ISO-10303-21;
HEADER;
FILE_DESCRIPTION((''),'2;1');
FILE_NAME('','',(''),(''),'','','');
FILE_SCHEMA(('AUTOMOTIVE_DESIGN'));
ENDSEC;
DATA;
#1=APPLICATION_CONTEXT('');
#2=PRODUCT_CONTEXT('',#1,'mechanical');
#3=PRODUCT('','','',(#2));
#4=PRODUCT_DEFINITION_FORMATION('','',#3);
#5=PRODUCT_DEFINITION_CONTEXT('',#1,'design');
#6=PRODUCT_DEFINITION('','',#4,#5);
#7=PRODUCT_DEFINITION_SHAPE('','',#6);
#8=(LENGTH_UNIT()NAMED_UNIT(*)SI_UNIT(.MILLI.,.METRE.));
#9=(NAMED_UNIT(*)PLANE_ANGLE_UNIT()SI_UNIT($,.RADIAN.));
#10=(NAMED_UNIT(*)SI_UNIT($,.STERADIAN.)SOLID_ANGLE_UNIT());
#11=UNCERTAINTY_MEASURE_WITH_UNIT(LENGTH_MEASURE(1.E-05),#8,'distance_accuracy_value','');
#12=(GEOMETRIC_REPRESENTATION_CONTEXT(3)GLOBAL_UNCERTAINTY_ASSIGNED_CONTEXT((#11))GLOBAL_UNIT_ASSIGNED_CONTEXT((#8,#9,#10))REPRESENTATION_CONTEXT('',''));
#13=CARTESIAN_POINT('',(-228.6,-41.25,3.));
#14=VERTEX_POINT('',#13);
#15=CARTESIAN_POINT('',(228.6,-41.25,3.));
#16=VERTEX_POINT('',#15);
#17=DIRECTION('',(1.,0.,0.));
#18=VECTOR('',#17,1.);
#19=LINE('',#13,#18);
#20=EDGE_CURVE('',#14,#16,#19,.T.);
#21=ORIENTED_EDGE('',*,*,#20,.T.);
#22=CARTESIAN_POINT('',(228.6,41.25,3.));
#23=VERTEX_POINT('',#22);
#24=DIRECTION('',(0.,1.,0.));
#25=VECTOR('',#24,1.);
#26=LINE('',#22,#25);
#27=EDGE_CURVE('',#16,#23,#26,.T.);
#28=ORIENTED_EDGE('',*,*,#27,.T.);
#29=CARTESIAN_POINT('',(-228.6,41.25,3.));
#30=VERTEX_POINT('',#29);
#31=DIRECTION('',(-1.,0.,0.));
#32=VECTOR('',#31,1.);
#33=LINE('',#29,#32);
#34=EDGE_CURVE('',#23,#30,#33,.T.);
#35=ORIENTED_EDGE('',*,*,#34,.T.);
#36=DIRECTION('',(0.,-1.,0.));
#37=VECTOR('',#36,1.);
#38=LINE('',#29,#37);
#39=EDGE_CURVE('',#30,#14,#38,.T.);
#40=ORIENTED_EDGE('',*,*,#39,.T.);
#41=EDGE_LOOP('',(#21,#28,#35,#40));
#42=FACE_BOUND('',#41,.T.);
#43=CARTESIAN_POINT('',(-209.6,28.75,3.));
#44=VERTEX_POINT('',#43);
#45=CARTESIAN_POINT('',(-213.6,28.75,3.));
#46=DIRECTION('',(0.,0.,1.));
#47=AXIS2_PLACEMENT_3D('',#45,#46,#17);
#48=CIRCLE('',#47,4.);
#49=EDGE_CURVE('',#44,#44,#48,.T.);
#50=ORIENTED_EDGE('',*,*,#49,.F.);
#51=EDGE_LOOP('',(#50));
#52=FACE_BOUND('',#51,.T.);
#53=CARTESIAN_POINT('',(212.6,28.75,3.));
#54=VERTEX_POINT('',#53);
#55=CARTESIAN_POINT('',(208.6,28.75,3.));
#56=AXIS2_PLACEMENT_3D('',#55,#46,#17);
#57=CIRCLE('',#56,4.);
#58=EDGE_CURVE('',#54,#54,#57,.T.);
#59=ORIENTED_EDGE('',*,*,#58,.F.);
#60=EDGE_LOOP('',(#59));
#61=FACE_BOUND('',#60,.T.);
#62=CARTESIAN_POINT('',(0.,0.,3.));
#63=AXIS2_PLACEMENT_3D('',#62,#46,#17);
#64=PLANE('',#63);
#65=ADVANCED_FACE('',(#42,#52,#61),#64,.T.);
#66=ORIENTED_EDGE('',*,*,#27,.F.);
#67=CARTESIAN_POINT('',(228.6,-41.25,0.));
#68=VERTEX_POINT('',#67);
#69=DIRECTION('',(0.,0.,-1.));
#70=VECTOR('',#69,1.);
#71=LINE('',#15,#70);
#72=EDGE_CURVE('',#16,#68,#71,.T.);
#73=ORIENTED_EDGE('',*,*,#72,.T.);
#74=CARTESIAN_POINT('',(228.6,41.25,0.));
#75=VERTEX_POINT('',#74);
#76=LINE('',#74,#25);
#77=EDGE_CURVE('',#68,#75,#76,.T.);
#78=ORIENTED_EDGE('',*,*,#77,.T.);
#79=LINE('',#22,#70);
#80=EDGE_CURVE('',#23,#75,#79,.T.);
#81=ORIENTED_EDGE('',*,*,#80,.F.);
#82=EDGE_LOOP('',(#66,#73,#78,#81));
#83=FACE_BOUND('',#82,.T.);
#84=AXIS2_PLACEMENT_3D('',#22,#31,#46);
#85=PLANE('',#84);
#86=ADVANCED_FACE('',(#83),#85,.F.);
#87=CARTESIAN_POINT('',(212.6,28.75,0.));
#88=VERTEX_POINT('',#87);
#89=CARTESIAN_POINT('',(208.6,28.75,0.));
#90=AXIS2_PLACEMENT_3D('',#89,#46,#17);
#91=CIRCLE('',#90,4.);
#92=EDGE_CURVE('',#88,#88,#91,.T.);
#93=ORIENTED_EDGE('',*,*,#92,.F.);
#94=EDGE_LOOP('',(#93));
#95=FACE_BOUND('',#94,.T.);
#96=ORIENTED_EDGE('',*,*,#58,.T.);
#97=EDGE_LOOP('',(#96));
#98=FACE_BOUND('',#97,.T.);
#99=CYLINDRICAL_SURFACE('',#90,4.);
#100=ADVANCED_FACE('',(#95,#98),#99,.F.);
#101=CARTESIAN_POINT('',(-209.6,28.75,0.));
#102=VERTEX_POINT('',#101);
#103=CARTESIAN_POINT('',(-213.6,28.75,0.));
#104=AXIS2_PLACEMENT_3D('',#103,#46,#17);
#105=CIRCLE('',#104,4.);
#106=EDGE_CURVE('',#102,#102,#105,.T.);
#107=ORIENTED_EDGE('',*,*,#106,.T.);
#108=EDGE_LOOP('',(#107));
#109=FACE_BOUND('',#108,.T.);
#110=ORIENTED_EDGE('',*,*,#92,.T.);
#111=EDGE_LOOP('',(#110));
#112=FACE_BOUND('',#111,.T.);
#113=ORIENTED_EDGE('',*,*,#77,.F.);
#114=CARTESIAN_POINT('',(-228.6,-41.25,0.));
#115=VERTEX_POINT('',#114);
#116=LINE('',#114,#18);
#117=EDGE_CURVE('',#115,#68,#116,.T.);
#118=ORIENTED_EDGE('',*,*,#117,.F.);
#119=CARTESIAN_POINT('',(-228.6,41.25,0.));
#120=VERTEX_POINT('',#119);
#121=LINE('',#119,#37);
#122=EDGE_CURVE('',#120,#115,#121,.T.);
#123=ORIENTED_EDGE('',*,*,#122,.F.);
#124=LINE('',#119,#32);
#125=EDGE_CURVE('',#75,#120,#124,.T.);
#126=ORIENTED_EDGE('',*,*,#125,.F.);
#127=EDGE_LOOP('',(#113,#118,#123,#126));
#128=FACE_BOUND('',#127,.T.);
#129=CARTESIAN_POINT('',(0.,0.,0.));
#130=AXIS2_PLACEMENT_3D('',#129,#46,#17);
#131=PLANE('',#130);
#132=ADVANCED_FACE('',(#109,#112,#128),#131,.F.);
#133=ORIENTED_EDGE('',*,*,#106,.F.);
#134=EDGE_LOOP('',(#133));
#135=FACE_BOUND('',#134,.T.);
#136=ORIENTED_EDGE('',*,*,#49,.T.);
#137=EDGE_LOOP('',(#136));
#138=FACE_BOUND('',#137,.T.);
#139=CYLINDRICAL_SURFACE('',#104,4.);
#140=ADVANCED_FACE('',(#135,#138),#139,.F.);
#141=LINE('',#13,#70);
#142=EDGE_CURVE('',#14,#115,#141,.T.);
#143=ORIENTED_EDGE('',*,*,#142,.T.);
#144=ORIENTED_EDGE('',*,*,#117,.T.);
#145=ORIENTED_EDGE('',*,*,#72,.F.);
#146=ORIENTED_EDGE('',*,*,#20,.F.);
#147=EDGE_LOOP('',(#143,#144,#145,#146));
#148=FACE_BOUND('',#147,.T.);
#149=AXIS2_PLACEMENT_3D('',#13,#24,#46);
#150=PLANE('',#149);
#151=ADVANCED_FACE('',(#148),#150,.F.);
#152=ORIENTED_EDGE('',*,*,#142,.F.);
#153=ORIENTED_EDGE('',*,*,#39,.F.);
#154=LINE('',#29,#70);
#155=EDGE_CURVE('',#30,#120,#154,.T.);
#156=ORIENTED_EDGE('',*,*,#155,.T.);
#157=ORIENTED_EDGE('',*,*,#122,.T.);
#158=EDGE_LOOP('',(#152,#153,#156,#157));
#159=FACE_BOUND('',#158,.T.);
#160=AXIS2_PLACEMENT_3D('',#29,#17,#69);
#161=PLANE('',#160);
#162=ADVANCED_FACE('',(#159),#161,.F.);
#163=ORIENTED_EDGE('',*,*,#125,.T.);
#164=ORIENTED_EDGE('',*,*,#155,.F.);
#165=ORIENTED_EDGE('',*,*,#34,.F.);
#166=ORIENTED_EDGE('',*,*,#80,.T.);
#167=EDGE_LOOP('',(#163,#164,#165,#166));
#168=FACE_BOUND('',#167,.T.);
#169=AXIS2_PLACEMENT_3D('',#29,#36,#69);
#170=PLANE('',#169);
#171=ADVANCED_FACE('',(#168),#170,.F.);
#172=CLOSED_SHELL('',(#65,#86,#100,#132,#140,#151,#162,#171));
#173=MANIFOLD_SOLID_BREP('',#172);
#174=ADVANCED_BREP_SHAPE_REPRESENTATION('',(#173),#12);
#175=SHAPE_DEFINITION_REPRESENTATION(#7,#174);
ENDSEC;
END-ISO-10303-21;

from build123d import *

# Parameters (mm, degrees)
SKETCH1_W           = 457.2
SKETCH1_H           = 82.5
BOSS_EXTRUDE1_DEPTH = 3
SKETCH2_R           = 4
CUT_EXTRUDE1_DEPTH  = 233.311262103


with BuildPart() as part:
    # Sketch1 → Boss-Extrude1 (new body)
    with BuildSketch(Plane.XY):
        Rectangle(SKETCH1_W, SKETCH1_H)
    extrude(amount=BOSS_EXTRUDE1_DEPTH)

    # Sketch2 → Cut-Extrude1 (cut, through all)
    with BuildSketch(Plane.XY.offset(3)):
        with Locations((-213.6, 28.75)):
            Circle(SKETCH2_R)
        with Locations((208.6, 28.75)):
            Circle(SKETCH2_R)
    extrude(amount=-CUT_EXTRUDE1_DEPTH, mode=Mode.SUBTRACT)


solid = part.part
